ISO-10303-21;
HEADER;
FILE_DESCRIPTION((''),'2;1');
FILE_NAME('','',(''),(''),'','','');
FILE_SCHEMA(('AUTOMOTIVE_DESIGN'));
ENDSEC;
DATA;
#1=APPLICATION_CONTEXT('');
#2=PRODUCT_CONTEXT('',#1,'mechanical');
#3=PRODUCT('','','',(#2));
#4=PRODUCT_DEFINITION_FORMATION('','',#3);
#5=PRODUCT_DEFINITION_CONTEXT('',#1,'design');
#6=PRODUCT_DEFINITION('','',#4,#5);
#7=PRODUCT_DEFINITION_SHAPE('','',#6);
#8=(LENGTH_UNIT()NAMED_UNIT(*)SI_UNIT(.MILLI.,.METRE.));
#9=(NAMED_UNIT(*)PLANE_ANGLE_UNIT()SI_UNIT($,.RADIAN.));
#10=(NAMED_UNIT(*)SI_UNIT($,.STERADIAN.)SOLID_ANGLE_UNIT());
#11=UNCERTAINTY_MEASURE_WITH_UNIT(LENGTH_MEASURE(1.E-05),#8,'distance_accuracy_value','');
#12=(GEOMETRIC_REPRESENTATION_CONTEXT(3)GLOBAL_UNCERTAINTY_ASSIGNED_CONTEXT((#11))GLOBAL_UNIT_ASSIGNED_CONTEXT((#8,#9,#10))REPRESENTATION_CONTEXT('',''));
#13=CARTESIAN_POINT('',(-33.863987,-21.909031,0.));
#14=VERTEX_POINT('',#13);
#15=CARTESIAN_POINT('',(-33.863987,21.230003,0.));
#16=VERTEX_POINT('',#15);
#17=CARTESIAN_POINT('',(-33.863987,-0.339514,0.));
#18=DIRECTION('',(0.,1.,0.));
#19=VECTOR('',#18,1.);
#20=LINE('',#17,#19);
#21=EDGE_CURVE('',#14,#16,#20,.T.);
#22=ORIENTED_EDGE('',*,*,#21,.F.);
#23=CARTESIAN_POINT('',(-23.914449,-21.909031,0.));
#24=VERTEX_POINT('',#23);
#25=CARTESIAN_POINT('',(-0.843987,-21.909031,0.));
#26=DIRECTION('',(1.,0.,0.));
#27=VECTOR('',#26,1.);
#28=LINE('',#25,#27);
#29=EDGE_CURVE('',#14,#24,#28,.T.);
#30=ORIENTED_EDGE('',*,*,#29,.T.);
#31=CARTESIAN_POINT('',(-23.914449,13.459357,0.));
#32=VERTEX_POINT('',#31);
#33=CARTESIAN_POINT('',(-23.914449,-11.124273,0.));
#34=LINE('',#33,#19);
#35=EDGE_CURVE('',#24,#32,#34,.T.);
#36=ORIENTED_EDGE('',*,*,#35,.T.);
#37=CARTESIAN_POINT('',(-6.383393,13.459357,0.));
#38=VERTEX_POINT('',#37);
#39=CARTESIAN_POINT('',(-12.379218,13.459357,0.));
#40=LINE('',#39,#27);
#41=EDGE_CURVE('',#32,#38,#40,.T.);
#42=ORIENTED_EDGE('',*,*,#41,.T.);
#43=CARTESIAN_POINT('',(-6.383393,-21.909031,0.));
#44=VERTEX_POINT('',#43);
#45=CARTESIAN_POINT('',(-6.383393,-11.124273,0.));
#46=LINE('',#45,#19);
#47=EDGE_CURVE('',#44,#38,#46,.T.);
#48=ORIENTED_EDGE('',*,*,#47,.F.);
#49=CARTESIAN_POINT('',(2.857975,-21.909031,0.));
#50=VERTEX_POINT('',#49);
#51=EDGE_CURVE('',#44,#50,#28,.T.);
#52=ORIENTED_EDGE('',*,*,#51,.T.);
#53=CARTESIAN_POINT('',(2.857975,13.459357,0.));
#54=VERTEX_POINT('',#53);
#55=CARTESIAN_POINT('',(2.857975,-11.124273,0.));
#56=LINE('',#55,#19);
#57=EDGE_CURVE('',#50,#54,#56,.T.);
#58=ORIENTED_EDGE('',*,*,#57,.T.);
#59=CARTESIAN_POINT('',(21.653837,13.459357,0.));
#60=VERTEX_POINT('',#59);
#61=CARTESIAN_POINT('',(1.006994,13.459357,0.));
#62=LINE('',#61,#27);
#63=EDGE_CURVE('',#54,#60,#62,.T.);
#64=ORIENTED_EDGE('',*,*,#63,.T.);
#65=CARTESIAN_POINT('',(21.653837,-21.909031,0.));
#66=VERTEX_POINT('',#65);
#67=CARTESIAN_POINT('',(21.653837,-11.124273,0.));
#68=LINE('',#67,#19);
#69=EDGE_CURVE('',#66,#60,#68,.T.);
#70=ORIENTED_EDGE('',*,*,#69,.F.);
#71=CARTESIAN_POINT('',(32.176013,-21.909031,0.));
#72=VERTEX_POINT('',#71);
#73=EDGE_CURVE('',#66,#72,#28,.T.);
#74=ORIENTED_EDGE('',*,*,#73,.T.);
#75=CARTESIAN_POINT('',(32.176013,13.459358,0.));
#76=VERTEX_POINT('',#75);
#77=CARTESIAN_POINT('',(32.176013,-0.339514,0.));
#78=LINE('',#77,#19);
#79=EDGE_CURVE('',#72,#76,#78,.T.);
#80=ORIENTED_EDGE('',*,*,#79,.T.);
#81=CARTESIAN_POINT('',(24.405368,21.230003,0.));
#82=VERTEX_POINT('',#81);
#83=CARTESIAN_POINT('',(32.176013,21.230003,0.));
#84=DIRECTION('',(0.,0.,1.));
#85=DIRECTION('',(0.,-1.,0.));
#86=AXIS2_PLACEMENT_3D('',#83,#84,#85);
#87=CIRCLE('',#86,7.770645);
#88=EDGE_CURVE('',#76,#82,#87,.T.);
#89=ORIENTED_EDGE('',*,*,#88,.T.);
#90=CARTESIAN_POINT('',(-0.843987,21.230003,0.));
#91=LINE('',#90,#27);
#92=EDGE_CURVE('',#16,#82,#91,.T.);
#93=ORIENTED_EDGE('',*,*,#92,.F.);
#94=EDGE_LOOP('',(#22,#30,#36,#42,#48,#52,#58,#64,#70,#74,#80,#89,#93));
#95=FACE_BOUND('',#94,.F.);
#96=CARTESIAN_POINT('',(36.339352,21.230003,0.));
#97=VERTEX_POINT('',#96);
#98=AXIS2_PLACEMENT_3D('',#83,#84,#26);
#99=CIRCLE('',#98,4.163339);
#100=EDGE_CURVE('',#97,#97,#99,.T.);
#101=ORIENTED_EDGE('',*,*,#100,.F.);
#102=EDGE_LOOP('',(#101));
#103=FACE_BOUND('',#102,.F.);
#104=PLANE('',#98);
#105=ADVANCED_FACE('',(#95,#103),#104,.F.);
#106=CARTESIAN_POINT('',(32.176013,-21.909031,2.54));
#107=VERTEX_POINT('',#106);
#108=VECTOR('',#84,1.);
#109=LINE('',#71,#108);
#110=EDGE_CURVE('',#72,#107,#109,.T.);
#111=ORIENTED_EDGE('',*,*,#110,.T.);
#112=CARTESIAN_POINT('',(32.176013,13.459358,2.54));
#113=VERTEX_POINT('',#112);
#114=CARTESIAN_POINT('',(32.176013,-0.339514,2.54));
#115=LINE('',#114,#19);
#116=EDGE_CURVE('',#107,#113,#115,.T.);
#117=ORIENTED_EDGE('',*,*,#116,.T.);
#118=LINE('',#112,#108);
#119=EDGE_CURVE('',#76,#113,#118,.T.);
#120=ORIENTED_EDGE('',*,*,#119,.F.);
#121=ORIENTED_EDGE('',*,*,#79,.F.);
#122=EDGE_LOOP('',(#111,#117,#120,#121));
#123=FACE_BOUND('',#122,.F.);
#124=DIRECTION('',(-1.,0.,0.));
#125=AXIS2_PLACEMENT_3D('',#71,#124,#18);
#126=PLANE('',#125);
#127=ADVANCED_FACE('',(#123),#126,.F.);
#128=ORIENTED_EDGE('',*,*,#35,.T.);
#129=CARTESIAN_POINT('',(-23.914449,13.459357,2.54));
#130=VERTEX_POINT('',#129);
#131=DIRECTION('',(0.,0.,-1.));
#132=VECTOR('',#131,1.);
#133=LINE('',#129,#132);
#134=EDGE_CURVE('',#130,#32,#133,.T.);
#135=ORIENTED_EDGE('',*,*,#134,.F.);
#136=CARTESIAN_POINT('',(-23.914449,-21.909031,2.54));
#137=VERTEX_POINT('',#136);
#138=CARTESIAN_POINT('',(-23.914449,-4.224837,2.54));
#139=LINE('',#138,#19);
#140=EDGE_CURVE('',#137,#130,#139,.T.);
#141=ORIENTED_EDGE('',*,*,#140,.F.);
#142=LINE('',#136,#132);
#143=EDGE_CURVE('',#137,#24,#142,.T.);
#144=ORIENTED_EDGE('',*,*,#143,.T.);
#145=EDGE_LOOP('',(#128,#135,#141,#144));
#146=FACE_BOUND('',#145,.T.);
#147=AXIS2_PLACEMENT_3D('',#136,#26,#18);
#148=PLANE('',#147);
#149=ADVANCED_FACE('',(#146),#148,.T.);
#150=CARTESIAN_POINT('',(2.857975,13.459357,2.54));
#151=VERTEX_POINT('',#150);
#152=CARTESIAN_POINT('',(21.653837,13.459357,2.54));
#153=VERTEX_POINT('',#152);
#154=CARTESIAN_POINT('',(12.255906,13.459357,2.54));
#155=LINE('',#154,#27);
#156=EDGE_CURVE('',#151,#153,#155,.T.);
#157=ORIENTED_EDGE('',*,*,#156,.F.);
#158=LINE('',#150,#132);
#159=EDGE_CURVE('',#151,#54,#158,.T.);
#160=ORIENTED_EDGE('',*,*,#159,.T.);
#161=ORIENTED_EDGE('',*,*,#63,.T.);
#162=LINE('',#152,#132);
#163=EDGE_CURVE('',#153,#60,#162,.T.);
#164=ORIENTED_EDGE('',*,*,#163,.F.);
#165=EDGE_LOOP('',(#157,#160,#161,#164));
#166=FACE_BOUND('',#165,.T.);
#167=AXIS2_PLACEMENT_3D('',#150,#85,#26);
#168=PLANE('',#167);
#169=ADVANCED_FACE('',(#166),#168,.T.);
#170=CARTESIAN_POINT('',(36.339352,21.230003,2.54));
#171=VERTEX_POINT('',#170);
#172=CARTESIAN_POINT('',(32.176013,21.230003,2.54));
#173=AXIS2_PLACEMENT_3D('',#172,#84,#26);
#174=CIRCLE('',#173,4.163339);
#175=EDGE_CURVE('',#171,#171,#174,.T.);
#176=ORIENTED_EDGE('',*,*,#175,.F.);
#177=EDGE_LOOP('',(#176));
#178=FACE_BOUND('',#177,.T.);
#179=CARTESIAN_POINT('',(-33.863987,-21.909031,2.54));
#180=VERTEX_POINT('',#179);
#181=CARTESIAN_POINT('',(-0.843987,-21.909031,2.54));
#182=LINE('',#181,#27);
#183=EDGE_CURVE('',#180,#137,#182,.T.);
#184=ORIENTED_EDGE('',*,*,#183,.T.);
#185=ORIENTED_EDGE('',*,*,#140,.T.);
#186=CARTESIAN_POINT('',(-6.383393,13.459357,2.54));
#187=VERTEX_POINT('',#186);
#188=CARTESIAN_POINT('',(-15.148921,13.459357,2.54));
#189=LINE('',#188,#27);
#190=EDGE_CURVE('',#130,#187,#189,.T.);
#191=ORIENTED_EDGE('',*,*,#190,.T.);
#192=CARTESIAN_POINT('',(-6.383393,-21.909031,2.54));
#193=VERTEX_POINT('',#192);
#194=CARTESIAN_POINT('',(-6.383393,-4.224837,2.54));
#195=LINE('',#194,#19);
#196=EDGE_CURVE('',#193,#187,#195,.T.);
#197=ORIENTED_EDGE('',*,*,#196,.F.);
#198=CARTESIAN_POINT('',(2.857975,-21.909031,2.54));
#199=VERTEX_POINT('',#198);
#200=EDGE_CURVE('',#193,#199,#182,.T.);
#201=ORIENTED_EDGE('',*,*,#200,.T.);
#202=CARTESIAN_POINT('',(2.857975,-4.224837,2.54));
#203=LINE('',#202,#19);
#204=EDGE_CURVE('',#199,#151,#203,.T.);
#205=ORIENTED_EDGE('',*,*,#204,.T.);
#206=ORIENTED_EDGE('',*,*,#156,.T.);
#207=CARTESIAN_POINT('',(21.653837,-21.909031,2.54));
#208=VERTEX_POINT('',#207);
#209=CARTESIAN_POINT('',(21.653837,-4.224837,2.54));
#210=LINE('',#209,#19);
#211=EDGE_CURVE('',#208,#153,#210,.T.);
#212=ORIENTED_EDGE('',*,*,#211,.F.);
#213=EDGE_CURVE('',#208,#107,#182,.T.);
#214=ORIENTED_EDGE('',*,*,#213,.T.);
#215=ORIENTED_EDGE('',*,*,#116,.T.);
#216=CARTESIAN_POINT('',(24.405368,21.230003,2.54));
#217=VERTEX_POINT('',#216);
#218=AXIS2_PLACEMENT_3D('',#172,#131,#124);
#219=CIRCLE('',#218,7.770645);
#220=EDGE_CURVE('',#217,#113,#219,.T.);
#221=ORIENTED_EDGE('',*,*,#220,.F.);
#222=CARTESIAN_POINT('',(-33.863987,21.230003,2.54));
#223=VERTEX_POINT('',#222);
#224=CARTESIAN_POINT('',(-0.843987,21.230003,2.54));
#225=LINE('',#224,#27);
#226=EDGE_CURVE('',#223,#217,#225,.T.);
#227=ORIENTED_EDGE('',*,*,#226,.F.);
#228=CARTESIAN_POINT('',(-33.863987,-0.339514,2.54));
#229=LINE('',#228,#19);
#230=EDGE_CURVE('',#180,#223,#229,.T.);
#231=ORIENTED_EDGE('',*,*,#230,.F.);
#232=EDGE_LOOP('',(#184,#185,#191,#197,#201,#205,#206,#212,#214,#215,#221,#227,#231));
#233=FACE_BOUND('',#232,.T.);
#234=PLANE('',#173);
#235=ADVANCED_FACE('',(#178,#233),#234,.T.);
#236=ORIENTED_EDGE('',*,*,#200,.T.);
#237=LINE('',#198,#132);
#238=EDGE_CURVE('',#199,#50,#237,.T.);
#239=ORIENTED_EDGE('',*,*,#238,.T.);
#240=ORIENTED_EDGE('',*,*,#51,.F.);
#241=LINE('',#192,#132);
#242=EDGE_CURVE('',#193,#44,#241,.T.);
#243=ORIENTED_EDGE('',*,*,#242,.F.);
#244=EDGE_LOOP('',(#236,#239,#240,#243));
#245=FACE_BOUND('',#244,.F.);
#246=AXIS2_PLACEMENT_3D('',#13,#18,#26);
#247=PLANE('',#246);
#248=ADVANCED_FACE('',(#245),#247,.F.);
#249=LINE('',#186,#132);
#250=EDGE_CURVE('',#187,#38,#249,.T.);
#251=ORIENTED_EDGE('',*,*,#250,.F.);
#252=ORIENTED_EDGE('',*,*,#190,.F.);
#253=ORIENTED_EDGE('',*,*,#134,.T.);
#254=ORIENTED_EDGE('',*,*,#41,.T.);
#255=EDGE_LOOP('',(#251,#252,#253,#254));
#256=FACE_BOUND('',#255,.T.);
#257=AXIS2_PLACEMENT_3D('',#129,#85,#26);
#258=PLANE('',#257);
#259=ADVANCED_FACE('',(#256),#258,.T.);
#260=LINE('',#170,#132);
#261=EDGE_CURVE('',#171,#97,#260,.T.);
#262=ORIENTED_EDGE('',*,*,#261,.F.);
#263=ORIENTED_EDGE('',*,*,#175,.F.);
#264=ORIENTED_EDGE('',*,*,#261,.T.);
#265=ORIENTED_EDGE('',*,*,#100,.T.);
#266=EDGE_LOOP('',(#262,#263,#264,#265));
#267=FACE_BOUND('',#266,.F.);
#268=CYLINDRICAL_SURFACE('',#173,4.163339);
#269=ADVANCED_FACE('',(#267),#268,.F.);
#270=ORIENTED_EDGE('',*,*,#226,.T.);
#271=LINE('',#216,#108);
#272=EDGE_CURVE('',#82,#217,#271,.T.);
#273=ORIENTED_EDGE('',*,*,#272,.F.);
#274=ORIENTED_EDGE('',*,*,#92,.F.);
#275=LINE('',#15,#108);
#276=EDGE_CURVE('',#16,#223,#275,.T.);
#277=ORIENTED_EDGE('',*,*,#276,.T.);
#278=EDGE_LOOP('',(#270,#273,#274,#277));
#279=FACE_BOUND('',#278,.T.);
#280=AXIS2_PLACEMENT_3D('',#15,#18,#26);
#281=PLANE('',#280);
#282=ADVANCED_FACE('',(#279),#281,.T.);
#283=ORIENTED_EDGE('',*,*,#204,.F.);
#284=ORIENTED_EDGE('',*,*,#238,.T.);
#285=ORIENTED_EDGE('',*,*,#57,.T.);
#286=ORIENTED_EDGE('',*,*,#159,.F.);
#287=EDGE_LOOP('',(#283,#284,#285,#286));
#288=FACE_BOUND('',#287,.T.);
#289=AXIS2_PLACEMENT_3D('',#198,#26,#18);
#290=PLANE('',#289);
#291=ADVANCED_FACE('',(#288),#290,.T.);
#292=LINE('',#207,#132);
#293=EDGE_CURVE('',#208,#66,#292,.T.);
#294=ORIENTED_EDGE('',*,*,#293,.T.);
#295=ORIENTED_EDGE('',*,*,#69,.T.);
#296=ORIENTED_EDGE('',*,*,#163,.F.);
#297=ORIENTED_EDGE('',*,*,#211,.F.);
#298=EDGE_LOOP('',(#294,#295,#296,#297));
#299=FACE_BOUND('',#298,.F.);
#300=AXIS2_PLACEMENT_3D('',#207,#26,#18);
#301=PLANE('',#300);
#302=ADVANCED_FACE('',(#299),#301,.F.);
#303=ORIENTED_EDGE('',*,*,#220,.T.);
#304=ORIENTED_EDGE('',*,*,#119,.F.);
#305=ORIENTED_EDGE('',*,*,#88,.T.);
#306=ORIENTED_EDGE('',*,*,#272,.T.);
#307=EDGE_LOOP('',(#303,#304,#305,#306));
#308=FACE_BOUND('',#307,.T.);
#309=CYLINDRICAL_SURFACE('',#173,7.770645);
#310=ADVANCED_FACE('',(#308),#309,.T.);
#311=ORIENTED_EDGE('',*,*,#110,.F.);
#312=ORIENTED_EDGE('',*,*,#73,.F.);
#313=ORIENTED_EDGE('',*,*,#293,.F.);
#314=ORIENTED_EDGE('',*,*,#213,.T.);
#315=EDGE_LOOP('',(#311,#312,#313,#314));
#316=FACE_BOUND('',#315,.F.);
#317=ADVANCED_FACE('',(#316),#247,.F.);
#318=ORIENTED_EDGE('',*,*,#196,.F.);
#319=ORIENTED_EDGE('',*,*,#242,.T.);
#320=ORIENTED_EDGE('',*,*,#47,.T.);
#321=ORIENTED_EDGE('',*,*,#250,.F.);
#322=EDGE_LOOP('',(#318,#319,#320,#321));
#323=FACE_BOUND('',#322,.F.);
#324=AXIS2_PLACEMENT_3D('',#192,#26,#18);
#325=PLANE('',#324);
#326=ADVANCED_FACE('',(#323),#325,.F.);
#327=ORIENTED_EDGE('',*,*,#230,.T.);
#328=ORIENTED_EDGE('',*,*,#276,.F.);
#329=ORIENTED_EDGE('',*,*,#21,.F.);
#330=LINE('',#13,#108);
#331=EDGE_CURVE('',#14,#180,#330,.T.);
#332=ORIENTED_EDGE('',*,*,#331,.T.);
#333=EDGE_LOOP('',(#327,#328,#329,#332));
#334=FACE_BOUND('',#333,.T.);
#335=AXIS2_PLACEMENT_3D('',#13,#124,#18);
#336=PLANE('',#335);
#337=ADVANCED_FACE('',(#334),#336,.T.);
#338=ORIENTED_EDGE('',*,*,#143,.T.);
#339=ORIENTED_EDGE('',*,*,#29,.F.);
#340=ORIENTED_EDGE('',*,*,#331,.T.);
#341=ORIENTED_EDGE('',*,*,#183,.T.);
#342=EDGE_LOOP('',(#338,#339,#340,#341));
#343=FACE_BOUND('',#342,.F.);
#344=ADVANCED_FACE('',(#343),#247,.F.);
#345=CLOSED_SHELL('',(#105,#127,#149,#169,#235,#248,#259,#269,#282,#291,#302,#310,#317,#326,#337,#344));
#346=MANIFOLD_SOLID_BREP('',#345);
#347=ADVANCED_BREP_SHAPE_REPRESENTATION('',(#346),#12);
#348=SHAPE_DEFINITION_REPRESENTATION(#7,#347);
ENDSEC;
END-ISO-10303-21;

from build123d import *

# Parameters (mm, degrees)
F0_W     = 66.04
F0_H     = 43.139034
F1_DEPTH = 2.54
F2_W     = 18.795862
F2_H     = 35.368388
F3_DEPTH = 25.4
F4_W     = 17.531056
F4_H     = 35.368388
F5_DEPTH = 25.4
F6_R     = 7.770645
F7_DEPTH = 2.54
F8_R     = 4.163339
F9_DEPTH = 25.4


with BuildPart() as f1:
    # F0 (on Top) → F1 (new body)
    with BuildSketch(Plane.XY):
        with Locations((-0.843987, -0.339514)):
            Rectangle(F0_W, F0_H)
    extrude(amount=F1_DEPTH)

    # F2 (on face) → F3 (cut)
    with BuildSketch(Plane.XY.offset(2.54)):
        with Locations((12.255906, -4.224837)):
            Rectangle(F2_W, F2_H)
    extrude(amount=-F3_DEPTH, mode=Mode.SUBTRACT)

    # F4 (on face) → F5 (cut)
    with BuildSketch(Plane.XY.offset(2.54)):
        with Locations((-15.148921, -4.224837)):
            Rectangle(F4_W, F4_H)
    extrude(amount=-F5_DEPTH, mode=Mode.SUBTRACT)

    # F6 (on face) → F7 (join)
    with BuildSketch(Plane.XY.offset(2.54)):
        with Locations((32.176013, 21.230003)):
            Circle(F6_R)
    extrude(amount=-F7_DEPTH)

    # F8 (on face) → F9 (cut)
    with BuildSketch(Plane.XY.offset(2.54)):
        with Locations((32.176013, 21.230003)):
            Circle(F8_R)
    extrude(amount=-F9_DEPTH, mode=Mode.SUBTRACT)


solid = f1.part
